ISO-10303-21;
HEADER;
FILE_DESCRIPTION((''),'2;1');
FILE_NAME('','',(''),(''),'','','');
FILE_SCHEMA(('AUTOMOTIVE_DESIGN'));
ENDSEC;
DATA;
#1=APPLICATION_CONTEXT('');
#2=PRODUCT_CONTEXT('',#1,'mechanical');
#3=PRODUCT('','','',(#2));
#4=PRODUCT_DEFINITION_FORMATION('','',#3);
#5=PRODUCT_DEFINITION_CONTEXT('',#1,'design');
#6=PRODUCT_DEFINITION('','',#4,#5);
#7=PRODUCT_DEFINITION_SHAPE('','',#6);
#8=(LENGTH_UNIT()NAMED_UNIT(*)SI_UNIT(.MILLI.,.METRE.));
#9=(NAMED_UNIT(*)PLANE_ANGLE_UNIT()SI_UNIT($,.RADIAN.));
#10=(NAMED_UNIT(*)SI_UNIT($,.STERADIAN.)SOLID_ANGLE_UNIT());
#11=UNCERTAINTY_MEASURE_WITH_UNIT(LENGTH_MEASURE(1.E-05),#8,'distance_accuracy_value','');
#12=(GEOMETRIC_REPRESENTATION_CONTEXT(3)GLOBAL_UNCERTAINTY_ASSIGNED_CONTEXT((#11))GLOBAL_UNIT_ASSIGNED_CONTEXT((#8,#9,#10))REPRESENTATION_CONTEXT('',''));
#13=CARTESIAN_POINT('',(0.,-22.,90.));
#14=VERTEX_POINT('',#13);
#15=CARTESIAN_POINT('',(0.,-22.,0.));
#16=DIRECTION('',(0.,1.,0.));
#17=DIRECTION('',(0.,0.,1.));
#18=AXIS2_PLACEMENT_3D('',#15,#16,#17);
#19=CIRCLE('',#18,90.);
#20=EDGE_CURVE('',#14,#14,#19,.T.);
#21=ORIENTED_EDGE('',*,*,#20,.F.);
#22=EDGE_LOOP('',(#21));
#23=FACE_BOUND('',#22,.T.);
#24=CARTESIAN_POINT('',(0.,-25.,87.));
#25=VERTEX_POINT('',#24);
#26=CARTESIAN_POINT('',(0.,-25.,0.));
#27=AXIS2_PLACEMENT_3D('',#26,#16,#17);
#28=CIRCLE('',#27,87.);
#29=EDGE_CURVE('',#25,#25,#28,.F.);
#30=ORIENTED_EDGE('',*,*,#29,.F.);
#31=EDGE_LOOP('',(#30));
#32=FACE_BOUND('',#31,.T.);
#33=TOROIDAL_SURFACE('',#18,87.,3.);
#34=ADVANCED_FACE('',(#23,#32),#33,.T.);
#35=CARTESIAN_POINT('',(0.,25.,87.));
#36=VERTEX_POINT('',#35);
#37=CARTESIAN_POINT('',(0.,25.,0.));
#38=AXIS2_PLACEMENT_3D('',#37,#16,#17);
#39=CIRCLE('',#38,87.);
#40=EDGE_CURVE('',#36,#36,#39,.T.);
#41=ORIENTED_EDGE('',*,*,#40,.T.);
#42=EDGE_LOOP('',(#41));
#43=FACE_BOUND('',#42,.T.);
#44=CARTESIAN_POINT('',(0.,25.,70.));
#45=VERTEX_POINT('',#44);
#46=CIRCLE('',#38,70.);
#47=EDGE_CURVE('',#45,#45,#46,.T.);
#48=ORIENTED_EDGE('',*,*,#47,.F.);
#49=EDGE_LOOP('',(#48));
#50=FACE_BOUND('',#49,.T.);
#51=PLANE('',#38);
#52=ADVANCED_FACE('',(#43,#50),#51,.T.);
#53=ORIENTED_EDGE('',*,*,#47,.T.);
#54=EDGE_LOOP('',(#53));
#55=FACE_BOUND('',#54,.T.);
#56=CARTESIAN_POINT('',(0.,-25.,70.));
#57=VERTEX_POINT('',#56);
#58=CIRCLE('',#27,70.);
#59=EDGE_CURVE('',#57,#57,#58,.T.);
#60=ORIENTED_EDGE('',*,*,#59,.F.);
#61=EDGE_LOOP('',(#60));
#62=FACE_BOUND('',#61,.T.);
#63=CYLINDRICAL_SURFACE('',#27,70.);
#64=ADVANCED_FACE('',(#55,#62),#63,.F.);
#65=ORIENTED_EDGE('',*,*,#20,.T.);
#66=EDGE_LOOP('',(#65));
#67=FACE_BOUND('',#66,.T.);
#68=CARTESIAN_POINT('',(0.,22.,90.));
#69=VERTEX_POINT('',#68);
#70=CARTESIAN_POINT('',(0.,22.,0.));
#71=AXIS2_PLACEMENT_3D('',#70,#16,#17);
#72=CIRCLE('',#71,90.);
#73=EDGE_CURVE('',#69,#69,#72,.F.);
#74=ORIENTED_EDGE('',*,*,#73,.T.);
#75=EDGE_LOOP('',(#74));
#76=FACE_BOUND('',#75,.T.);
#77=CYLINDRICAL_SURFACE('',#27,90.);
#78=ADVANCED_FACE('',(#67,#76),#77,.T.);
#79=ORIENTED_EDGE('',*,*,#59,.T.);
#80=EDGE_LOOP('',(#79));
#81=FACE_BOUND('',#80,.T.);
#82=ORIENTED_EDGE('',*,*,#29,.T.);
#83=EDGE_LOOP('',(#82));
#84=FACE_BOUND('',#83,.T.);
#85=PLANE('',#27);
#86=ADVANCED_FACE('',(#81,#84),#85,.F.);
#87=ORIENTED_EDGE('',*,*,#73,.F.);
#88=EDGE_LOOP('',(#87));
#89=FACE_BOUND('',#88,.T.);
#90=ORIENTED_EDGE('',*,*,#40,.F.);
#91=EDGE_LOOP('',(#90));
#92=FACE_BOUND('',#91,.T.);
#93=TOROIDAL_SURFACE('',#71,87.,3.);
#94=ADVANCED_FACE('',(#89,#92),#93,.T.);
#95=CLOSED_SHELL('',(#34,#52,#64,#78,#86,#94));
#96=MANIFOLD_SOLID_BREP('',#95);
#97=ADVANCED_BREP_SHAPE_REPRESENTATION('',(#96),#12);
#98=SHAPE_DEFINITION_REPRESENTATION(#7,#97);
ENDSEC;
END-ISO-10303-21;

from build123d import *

# Parameters (mm, degrees)
BOSS_EXTRUDE1_DEPTH      = 25
BOSS_EXTRUDE1_DEPTH_BACK = 25
SKETCH1_R                = 90
SKETCH1_R_2              = 70
FILLET1_R                = 3


with BuildPart() as part:
    # Sketch1 → Boss-Extrude1 (new, two sides: drawn at the far end of the back side and taken through both)
    with BuildSketch(Plane(origin=(0, 0, 0), x_dir=(1, 0, 0), z_dir=(0, 1, 0)).offset(-BOSS_EXTRUDE1_DEPTH_BACK)):
        Circle(SKETCH1_R)
        Circle(SKETCH1_R_2, mode=Mode.SUBTRACT)
    extrude(amount=BOSS_EXTRUDE1_DEPTH + BOSS_EXTRUDE1_DEPTH_BACK)

    # Fillet1
    fillet1_edges = [part.edges().sort_by_distance(p)[0] for p in [
        (-90, 25, 0),
        (-90, -25, 0),
    ]]
    fillet(fillet1_edges, radius=FILLET1_R)


solid = part.part
